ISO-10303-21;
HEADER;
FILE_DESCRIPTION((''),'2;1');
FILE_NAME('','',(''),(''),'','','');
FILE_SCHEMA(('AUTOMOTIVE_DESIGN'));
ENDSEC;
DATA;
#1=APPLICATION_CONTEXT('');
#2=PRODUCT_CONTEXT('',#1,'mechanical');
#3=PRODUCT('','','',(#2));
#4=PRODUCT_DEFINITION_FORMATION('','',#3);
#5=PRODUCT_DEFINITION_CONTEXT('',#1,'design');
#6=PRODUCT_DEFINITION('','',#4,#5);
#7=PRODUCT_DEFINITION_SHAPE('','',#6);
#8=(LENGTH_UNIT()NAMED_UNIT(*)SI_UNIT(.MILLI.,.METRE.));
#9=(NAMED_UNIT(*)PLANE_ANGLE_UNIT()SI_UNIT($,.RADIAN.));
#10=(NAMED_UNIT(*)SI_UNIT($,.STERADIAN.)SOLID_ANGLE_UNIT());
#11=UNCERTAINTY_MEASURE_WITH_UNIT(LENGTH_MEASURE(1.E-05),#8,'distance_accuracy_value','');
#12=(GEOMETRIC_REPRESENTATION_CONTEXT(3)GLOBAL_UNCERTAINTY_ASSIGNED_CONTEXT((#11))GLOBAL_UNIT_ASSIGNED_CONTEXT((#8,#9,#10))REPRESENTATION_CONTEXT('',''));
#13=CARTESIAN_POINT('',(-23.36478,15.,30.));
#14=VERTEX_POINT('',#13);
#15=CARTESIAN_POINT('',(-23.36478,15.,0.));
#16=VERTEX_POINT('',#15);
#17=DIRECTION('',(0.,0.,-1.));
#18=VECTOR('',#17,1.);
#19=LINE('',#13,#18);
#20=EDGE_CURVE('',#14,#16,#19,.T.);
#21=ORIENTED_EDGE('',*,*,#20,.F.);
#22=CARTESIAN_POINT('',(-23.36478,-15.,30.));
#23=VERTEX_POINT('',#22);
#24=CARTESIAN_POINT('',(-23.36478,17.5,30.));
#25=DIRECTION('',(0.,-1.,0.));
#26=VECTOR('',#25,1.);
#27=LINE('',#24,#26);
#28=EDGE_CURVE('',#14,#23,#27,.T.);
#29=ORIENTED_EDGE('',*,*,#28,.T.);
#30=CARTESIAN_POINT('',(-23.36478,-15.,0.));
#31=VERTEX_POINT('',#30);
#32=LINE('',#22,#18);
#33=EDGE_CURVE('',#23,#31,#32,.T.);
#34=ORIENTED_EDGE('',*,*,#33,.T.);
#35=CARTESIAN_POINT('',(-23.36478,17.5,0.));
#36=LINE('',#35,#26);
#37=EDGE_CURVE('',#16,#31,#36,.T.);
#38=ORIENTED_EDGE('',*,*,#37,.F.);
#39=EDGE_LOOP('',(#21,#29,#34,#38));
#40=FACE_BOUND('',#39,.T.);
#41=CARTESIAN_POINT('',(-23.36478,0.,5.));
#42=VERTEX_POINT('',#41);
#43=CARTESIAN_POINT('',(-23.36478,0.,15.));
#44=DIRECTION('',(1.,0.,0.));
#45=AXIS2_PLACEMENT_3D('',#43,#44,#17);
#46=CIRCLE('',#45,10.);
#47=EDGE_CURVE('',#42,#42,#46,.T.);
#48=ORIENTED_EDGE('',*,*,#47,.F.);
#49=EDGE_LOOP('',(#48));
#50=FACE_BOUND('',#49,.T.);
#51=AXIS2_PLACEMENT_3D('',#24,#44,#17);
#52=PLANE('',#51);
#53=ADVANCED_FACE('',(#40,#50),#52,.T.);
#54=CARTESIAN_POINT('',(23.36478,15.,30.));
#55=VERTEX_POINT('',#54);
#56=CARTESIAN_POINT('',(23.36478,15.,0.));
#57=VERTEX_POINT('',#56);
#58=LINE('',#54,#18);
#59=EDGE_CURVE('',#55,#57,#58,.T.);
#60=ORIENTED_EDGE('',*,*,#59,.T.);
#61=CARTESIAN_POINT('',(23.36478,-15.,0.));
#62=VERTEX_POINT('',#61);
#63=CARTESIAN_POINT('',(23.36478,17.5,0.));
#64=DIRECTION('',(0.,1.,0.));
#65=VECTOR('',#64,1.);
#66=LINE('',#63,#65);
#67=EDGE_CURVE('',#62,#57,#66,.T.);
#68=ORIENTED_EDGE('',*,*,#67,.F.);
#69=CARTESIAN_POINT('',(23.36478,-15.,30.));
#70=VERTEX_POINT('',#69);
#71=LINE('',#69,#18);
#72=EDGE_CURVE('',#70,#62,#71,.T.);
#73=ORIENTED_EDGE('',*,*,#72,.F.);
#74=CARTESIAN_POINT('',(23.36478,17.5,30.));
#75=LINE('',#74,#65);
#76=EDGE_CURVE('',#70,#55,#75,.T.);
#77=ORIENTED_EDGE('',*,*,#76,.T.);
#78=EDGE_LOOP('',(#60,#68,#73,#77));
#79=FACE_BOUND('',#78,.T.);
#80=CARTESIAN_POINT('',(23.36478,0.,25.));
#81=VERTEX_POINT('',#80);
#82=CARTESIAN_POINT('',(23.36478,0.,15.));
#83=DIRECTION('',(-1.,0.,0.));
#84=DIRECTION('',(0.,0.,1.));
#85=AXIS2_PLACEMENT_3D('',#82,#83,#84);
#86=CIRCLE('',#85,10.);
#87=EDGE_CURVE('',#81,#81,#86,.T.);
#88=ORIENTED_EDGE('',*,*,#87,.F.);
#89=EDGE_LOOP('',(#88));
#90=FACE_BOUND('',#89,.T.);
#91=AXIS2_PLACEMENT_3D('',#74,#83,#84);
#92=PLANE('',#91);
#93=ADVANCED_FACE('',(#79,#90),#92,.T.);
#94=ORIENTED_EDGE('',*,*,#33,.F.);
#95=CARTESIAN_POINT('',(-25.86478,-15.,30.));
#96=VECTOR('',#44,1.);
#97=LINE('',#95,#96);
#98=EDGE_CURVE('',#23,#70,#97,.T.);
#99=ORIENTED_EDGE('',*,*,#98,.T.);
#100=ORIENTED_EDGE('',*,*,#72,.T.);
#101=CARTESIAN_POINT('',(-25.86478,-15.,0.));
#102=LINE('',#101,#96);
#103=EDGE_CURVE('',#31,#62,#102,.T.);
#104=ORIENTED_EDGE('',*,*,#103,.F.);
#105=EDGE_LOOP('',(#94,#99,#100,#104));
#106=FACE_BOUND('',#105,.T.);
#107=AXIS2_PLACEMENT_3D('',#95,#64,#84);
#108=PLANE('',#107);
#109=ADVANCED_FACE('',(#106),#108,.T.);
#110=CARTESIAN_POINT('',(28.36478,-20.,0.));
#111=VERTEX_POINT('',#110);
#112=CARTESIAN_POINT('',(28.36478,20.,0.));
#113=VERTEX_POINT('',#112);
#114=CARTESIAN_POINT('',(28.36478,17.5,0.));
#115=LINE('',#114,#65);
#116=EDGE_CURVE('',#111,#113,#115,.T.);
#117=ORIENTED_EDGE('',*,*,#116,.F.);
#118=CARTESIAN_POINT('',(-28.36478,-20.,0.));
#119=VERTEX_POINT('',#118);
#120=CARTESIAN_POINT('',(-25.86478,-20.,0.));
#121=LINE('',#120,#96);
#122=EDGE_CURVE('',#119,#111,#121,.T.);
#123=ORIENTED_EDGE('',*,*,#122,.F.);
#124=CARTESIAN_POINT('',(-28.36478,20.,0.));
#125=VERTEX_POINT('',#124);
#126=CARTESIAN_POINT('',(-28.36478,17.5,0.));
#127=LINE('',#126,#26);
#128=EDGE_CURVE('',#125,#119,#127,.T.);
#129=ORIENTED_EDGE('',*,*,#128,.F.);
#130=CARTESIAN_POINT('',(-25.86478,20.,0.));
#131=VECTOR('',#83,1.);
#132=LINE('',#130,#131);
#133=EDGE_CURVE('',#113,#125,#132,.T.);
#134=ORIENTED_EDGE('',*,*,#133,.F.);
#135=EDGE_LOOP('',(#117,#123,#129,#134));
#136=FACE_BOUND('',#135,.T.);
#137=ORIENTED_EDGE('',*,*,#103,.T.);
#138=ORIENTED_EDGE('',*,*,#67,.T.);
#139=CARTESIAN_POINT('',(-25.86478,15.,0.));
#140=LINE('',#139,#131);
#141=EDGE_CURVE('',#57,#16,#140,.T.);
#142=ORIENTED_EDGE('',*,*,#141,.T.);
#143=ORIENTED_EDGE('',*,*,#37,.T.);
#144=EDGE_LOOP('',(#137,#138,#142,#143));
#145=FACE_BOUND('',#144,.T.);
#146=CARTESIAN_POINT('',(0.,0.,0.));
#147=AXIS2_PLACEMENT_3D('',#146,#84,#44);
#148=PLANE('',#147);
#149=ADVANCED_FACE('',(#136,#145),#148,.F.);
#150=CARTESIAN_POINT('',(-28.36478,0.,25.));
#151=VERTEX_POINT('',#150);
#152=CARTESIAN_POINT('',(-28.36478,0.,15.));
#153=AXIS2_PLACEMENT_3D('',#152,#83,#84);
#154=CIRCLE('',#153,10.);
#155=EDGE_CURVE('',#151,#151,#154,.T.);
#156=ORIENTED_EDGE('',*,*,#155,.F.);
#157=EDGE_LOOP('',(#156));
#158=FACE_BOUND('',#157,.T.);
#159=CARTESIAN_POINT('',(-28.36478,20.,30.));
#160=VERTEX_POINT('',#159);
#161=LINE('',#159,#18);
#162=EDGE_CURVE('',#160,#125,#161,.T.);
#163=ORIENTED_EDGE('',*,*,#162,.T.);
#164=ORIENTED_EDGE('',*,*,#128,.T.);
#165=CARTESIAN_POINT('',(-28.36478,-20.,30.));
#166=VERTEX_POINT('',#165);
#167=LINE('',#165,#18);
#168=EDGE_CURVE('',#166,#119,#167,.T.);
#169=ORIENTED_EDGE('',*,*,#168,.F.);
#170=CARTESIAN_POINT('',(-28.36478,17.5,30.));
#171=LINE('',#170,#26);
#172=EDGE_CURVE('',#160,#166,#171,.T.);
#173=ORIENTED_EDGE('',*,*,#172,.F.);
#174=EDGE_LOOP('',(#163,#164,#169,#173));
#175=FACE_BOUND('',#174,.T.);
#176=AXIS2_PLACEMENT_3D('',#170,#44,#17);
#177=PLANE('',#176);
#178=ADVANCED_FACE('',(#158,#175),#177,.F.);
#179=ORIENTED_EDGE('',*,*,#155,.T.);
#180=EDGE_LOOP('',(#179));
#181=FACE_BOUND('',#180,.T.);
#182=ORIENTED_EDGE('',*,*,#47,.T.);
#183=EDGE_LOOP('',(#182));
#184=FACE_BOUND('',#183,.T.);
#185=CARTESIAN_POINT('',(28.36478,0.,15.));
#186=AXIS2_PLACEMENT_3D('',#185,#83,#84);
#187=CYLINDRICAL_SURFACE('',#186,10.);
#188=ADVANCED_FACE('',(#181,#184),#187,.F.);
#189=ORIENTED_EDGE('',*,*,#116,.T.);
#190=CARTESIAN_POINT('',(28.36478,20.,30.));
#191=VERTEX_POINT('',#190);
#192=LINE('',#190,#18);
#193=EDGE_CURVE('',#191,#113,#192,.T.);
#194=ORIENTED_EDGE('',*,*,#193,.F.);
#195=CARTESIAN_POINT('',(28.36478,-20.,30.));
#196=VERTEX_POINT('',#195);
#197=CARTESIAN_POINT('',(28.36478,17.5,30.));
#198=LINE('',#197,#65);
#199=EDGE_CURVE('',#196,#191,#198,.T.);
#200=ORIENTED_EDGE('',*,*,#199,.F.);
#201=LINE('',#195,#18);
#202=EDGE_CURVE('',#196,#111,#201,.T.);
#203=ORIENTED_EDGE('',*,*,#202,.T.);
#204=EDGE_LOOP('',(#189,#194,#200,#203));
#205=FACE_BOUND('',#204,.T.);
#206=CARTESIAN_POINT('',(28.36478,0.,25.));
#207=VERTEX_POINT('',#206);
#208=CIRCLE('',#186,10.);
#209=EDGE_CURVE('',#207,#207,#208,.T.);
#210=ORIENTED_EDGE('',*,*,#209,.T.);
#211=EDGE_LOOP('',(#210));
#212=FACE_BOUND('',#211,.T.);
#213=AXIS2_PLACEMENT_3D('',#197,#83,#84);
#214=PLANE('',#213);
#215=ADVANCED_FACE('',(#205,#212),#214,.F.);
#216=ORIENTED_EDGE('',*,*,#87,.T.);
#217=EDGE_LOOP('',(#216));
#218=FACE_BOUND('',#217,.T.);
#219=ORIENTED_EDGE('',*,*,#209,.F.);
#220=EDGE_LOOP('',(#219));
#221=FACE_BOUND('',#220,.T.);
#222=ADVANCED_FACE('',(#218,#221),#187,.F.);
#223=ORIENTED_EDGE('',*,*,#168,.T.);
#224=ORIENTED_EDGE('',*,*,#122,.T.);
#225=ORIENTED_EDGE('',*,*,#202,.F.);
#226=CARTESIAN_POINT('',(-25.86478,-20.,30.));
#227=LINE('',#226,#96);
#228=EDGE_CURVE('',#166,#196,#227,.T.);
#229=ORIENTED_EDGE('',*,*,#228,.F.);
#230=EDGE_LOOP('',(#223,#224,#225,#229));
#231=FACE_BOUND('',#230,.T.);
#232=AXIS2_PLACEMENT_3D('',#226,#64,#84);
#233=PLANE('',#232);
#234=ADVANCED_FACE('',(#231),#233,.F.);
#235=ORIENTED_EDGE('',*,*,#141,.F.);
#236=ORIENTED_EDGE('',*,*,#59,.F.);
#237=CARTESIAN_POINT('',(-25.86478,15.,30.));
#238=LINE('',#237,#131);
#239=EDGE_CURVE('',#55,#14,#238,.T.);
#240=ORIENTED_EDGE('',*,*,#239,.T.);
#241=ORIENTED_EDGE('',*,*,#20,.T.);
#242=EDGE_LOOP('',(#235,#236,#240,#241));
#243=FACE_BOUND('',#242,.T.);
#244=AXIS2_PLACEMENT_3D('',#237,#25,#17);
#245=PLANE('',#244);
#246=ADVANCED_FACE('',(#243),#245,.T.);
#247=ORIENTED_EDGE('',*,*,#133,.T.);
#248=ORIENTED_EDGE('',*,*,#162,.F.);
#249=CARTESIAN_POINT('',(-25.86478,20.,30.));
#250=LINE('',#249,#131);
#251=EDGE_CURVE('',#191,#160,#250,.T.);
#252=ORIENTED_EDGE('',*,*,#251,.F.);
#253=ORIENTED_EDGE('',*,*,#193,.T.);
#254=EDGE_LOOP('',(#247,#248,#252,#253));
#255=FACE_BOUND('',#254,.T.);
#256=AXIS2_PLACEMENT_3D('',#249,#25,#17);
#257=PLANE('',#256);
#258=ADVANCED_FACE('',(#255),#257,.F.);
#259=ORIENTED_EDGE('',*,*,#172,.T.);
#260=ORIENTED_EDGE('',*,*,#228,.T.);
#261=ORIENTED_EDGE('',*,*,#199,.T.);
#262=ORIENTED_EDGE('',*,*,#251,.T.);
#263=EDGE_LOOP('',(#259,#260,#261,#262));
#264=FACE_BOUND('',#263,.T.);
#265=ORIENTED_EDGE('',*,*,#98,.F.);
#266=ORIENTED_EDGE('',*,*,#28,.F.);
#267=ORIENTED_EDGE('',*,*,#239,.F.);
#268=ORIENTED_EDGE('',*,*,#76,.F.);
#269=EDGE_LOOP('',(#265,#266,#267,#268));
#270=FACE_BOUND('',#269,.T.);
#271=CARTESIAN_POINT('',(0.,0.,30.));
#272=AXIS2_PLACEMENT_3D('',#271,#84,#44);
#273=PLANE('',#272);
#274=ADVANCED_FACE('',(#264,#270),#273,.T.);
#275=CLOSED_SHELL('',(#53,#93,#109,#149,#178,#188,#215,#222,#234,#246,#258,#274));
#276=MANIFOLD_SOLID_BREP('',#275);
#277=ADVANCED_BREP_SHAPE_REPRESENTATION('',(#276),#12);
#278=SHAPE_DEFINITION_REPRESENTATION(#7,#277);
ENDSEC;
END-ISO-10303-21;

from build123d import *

# Parameters (mm, degrees)
SKETCH1_W           = 56.729559748
SKETCH1_H           = 40
SKETCH1_W_2         = 46.729559748
SKETCH1_H_2         = 30
EXTRUDE_THIN1_DEPTH = 30
SKETCH2_R           = 10
CUT_EXTRUDE1_DEPTH  = 68.217876709


with BuildPart() as part:
    # Sketch1 → Extrude-Thin1 (new body)
    with BuildSketch(Plane.XY):
        Rectangle(SKETCH1_W, SKETCH1_H)
        Rectangle(SKETCH1_W_2, SKETCH1_H_2, mode=Mode.SUBTRACT)
    extrude(amount=EXTRUDE_THIN1_DEPTH)

    # Sketch2 → Cut-Extrude1 (cut, through all)
    with BuildSketch(Plane.ZY.offset(28.364779874)):
        with Locations((15, 0)):
            Circle(SKETCH2_R)
    extrude(amount=-CUT_EXTRUDE1_DEPTH, mode=Mode.SUBTRACT)


solid = part.part
